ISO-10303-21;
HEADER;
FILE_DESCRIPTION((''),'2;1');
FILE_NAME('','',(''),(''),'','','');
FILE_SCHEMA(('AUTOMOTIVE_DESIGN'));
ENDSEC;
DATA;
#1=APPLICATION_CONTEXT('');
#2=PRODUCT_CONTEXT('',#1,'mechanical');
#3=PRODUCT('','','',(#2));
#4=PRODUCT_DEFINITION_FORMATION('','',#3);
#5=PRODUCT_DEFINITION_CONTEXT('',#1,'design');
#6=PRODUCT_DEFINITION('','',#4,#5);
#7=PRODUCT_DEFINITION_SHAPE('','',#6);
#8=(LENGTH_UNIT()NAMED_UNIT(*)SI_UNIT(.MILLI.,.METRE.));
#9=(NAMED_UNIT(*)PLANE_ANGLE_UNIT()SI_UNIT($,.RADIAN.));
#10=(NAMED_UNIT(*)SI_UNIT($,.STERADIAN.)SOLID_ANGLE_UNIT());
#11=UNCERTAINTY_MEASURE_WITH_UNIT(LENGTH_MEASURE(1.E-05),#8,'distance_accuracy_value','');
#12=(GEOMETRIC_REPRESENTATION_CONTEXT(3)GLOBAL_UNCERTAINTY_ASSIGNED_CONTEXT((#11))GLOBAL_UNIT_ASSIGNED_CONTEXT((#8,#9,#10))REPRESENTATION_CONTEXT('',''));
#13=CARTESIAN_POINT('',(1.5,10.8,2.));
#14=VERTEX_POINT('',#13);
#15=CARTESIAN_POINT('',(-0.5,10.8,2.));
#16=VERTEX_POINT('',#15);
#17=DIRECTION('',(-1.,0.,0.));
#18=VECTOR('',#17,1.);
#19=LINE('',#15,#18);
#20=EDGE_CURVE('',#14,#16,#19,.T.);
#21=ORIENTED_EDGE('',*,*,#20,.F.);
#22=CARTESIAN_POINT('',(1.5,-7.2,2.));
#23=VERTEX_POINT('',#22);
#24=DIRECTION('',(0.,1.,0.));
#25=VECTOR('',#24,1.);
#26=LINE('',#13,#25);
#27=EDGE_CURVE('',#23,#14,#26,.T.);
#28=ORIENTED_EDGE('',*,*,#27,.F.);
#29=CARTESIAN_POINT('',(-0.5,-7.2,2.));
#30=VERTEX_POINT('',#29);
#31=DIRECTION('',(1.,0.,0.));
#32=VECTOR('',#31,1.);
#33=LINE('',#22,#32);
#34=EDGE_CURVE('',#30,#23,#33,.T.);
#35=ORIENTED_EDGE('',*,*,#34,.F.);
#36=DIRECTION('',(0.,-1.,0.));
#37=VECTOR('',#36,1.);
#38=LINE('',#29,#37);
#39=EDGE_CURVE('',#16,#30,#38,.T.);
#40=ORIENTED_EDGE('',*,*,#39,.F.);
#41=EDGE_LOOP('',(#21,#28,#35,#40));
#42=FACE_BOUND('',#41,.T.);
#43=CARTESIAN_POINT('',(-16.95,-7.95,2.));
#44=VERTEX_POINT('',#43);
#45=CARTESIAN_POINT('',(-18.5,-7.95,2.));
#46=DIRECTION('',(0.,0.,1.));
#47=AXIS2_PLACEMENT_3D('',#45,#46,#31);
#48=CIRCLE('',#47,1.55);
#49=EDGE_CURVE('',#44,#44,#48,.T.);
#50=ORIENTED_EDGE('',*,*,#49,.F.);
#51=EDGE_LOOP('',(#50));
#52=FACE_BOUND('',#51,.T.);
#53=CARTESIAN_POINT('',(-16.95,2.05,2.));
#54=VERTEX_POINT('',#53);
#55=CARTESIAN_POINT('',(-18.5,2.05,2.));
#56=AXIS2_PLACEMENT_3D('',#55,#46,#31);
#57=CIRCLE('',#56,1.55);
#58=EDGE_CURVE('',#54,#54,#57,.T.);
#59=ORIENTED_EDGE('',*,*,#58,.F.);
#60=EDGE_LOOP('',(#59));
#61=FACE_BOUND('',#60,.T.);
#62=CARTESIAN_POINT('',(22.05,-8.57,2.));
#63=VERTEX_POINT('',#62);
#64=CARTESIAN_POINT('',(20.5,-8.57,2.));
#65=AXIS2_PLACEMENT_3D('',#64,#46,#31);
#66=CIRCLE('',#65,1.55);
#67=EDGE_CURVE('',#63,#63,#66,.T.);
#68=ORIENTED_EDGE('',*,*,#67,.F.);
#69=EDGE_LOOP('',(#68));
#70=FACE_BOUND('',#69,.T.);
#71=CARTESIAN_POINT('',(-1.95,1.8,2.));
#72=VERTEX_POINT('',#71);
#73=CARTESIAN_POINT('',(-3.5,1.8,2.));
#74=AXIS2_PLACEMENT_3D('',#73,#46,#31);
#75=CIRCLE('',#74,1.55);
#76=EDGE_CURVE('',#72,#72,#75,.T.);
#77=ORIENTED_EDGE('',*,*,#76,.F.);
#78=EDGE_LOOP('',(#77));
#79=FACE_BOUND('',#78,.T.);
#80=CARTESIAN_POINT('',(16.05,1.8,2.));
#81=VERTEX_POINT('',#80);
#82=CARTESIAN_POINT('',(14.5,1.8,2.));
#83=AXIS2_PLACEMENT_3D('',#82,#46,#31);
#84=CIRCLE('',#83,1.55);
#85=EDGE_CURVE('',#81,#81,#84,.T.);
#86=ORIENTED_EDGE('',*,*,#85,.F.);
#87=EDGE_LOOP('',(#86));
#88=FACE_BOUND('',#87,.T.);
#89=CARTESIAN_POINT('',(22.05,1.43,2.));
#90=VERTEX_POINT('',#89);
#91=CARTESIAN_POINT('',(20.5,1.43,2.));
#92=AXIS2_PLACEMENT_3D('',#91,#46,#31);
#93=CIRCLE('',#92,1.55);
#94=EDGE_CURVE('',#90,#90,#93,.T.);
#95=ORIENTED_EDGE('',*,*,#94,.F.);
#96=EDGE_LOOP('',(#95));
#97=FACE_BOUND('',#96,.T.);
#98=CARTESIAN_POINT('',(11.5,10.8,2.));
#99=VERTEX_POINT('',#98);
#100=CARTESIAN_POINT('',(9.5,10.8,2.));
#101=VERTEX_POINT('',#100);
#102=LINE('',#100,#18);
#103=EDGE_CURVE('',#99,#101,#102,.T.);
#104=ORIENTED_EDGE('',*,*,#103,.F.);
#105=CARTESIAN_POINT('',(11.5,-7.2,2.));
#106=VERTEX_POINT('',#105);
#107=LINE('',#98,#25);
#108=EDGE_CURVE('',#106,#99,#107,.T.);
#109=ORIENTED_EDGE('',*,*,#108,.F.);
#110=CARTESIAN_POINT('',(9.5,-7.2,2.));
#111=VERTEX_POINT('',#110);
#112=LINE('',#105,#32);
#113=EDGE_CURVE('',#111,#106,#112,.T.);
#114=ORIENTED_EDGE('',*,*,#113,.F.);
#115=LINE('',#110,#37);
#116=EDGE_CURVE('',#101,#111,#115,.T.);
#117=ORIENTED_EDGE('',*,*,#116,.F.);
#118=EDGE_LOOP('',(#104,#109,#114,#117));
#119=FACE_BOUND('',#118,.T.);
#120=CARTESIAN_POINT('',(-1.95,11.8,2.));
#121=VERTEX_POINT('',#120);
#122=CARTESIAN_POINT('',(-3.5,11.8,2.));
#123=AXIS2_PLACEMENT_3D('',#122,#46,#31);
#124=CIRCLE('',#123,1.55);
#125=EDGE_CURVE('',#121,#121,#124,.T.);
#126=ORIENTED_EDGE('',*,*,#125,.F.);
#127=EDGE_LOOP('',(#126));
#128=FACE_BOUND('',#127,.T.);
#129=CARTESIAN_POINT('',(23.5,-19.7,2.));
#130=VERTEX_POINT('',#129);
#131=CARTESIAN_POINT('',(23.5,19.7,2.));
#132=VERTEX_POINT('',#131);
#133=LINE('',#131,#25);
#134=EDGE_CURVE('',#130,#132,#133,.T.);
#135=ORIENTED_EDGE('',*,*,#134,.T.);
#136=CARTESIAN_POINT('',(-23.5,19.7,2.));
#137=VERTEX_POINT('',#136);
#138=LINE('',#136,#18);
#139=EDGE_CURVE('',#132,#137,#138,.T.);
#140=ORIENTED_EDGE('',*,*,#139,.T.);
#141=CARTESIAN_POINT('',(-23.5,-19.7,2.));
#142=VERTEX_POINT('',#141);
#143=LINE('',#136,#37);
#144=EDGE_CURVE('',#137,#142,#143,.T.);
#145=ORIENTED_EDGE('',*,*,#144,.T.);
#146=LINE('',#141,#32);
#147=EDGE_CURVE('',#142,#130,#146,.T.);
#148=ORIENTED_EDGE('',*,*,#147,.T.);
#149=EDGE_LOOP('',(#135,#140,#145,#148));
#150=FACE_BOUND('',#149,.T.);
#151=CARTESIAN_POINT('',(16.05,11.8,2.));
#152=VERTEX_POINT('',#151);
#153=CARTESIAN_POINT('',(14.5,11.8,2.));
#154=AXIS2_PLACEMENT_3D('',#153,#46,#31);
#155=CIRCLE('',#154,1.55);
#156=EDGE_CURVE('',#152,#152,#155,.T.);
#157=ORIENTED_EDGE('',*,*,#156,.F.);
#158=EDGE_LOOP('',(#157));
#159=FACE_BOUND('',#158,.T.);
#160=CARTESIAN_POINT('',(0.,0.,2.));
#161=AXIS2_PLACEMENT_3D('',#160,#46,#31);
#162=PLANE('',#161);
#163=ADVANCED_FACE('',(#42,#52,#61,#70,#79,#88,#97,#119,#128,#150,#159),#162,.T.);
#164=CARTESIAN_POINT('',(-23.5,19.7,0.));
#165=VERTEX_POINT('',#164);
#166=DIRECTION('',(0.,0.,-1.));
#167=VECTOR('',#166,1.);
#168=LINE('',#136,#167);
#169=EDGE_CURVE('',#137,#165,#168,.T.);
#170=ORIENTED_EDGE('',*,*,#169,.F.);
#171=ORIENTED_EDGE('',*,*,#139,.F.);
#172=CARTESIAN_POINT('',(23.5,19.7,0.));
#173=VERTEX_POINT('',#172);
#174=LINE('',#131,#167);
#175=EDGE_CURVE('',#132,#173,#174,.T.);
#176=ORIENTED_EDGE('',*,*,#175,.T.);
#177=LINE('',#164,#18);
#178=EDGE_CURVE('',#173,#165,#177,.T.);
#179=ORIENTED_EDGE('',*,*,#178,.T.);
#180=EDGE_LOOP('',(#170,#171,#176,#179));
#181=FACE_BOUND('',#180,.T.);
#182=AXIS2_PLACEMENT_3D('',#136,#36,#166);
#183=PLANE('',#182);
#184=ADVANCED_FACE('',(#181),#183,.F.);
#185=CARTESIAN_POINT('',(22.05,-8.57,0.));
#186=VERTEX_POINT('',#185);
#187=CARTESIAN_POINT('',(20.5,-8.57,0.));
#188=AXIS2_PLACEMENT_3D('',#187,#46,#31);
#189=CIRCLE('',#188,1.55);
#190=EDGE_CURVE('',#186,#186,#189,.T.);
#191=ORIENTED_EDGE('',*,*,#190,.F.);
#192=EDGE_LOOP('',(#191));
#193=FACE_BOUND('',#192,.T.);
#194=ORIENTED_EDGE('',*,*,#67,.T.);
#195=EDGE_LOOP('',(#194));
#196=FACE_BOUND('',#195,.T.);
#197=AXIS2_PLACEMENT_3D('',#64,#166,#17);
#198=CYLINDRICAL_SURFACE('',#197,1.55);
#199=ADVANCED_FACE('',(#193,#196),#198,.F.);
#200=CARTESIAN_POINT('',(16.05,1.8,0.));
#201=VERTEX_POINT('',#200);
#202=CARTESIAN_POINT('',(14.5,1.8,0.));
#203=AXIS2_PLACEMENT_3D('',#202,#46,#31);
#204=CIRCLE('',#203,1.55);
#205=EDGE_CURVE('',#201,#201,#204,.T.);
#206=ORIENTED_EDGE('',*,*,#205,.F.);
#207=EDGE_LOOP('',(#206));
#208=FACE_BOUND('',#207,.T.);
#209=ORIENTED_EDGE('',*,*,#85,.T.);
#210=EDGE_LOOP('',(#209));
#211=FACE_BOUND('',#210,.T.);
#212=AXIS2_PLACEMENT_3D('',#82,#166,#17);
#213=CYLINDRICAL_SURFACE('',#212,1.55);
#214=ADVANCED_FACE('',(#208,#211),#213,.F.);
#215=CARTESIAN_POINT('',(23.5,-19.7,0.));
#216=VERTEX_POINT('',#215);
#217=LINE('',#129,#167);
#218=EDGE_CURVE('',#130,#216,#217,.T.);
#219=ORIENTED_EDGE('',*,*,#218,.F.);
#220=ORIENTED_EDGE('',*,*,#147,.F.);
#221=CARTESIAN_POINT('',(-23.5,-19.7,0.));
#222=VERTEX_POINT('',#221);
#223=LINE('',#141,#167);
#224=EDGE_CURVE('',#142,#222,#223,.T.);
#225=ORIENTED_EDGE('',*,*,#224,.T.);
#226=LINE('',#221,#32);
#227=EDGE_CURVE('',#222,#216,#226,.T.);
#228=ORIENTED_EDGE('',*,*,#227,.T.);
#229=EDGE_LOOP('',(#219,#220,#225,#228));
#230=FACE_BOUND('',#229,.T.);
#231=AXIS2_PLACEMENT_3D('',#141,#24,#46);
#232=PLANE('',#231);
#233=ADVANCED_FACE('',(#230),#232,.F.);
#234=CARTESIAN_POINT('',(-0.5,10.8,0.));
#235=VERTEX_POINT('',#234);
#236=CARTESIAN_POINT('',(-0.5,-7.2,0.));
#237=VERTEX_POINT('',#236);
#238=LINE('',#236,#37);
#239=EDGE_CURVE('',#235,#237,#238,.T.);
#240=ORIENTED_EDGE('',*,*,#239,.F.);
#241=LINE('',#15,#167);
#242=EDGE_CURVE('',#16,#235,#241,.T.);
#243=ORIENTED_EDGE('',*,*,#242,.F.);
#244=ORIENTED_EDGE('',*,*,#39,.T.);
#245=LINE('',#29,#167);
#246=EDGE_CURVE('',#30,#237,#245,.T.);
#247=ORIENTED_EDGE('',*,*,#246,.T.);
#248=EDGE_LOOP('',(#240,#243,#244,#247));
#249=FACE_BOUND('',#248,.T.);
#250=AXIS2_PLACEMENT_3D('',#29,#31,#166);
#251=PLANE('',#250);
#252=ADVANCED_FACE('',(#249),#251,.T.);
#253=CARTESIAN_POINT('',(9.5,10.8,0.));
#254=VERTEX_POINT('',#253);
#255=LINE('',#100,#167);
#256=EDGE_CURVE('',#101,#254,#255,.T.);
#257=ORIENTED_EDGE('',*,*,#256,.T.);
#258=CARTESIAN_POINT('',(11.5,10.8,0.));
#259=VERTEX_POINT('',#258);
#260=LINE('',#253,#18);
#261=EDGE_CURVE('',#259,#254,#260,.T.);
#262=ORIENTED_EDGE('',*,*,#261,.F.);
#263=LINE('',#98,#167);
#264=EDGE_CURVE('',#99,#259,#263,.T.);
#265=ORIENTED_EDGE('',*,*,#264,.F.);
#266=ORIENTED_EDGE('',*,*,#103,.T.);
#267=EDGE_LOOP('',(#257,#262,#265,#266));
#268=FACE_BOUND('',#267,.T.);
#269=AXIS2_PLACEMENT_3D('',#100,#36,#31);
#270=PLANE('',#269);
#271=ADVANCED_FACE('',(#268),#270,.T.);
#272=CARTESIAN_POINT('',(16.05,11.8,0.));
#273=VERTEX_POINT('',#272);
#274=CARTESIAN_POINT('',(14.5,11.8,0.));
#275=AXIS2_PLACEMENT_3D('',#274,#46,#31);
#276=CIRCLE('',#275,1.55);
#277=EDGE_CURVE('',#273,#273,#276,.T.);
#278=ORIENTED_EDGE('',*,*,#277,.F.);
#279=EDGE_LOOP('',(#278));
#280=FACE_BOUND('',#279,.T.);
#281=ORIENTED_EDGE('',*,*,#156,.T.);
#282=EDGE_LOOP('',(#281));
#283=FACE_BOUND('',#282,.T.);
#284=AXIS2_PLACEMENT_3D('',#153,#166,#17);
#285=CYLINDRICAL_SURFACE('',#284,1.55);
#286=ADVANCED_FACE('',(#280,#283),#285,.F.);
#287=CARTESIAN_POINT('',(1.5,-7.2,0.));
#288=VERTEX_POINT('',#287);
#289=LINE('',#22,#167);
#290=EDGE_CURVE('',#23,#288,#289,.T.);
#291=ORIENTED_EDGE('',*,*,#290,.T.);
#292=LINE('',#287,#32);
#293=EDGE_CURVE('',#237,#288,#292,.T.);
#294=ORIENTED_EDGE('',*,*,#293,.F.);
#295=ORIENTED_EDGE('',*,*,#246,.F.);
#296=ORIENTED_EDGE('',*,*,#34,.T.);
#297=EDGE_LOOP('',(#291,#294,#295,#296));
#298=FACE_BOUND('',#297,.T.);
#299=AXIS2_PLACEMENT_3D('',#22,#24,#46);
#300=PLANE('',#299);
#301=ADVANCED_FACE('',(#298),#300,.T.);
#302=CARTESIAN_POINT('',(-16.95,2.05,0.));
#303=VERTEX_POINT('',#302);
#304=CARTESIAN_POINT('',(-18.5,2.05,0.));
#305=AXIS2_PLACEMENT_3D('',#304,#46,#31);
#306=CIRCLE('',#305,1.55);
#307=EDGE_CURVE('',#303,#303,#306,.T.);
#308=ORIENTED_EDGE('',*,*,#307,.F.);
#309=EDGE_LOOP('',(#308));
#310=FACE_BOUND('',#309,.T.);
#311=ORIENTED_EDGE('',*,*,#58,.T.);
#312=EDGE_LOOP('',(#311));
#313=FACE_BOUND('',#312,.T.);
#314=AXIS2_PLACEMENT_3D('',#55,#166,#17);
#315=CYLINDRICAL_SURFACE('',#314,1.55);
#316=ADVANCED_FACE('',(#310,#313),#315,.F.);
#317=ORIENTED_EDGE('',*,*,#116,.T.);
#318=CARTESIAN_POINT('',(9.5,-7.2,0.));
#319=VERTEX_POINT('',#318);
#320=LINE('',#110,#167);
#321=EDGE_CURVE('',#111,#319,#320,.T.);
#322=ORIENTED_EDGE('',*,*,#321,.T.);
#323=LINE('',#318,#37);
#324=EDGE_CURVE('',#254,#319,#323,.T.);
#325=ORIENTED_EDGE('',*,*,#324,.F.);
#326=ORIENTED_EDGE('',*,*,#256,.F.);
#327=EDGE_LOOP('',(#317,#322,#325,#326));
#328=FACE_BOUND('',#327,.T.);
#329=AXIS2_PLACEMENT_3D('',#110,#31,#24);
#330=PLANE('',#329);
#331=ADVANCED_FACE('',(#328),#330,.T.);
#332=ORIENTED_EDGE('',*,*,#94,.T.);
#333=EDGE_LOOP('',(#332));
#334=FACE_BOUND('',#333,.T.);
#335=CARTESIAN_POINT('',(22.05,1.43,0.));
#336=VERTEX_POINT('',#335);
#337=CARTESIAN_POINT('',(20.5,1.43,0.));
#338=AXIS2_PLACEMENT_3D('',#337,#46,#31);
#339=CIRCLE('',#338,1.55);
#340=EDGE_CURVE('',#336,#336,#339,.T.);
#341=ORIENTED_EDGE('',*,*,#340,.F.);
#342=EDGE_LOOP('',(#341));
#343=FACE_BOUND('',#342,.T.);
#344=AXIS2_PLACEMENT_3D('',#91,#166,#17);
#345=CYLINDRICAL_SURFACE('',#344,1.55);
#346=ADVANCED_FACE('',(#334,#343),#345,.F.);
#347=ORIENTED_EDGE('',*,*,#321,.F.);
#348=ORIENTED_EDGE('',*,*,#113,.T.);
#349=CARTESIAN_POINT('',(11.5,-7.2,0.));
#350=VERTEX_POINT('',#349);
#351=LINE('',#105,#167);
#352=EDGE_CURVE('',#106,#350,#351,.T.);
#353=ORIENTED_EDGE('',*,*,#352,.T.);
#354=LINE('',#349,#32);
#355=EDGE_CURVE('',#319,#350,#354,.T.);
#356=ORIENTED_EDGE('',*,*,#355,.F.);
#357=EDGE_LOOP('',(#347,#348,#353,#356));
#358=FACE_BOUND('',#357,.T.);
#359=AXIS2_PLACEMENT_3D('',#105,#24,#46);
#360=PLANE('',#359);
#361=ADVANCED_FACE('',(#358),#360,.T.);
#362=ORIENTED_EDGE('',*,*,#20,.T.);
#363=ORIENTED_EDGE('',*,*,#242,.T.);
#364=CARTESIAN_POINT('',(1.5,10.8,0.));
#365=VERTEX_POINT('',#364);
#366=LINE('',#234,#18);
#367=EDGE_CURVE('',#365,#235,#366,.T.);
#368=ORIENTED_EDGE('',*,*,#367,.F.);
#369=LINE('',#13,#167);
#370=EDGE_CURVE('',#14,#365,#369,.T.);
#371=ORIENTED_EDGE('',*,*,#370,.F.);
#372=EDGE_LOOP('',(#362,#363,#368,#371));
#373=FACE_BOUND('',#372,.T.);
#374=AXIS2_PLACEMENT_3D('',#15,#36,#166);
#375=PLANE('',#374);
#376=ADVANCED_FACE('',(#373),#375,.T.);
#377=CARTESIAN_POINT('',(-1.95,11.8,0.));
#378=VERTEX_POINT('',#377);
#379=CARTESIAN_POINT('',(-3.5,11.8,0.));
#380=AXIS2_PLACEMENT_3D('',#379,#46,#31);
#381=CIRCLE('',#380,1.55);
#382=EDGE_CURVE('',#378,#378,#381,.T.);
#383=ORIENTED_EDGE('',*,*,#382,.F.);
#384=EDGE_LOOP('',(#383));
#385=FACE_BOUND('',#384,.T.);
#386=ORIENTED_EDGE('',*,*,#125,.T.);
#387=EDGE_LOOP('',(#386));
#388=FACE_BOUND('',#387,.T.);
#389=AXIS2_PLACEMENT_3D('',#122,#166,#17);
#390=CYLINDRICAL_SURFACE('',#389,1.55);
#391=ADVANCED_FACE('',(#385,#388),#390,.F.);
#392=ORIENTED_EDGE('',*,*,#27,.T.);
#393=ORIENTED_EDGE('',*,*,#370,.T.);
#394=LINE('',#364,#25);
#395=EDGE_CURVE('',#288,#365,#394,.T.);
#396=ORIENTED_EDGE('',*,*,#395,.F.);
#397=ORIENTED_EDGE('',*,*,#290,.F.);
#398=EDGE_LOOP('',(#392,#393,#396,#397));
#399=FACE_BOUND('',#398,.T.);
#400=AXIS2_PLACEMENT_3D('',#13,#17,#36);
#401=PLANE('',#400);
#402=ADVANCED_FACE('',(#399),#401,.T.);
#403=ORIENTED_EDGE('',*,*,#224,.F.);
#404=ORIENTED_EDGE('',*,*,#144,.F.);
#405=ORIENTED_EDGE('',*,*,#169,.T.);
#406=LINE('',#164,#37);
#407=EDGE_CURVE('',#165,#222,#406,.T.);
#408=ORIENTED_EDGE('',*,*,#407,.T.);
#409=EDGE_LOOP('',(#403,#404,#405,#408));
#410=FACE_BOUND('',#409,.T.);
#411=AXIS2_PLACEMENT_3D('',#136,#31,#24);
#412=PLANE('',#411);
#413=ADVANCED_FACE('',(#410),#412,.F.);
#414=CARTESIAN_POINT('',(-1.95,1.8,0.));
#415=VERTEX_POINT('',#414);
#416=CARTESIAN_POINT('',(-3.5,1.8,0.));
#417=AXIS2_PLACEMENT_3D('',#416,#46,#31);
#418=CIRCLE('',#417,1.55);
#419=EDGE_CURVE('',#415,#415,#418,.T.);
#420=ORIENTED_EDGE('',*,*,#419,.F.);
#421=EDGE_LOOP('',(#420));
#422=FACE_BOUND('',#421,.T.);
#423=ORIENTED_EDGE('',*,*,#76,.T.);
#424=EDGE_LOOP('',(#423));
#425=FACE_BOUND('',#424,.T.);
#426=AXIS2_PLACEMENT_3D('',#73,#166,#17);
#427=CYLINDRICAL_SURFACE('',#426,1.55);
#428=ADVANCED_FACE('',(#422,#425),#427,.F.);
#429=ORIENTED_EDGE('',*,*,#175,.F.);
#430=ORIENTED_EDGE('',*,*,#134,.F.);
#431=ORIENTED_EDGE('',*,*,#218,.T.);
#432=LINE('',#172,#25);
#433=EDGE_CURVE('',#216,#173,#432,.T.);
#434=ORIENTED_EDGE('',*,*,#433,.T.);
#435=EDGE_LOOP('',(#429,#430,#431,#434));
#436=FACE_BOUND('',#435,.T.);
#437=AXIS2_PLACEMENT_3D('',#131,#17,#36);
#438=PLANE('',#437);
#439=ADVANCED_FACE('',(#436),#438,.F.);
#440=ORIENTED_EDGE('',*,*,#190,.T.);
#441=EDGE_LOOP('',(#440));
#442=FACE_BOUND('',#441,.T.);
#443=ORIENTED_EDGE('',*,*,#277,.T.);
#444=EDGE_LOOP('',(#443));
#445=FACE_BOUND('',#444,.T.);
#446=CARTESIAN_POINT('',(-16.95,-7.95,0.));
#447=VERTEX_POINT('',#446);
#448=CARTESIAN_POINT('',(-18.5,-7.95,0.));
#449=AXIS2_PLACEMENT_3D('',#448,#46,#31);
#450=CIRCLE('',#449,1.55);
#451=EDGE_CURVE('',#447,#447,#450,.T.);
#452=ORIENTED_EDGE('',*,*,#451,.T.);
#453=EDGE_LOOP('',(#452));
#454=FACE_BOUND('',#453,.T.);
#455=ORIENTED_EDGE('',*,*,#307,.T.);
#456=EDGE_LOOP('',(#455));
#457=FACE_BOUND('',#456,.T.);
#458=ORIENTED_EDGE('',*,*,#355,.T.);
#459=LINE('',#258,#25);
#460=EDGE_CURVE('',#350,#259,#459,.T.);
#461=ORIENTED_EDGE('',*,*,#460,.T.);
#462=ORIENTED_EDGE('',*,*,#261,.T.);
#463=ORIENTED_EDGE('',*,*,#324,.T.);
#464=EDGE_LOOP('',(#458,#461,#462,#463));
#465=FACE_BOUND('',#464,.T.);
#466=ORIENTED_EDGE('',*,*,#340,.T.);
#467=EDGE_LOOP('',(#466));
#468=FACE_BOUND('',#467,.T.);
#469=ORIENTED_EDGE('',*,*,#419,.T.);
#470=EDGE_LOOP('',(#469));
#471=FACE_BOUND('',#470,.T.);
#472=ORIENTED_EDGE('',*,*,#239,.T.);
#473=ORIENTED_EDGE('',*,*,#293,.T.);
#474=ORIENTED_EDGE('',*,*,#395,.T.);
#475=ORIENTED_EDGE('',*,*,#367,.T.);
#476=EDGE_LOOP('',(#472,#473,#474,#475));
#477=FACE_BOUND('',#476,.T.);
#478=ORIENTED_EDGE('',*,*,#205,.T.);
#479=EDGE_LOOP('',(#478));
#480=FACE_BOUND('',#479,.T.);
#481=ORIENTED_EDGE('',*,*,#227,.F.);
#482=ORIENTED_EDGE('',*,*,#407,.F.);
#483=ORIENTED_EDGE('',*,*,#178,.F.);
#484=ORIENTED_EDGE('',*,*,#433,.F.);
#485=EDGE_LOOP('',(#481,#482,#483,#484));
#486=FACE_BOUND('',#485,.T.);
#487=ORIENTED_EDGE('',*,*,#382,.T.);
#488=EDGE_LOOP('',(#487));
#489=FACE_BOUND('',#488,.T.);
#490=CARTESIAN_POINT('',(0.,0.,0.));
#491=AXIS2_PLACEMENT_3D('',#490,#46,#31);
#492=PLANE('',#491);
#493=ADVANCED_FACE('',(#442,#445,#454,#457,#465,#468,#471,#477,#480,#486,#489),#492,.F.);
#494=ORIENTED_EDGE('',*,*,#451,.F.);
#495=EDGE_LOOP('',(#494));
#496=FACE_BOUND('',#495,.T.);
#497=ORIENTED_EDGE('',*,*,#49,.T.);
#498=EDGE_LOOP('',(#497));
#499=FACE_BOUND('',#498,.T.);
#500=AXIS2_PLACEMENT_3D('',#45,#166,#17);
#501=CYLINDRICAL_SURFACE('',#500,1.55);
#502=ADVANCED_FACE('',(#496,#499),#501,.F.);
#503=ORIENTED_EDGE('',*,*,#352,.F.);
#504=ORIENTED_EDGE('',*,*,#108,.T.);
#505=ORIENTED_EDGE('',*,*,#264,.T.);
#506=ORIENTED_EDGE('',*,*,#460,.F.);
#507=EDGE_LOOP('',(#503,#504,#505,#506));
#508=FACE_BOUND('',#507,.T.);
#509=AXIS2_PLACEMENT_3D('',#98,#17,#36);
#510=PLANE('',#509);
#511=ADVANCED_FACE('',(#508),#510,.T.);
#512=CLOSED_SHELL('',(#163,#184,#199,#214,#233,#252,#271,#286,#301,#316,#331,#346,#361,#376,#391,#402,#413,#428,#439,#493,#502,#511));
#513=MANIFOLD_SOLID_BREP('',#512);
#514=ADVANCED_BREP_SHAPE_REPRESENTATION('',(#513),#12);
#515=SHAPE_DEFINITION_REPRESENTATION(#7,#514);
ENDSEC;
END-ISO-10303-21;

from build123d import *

# Parameters (mm, degrees)
SKETCH_1_W      = 47
SKETCH_1_H      = 39.4
SKETCH_1_R      = 1.55
SKETCH_1_W_2    = 2
SKETCH_1_H_2    = 18
EXTRUDE_1_DEPTH = 2


with BuildPart() as part:
    # 草图1 → 凸台-拉伸1 (new body)
    with BuildSketch(Plane.XY):
        Rectangle(SKETCH_1_W, SKETCH_1_H)
        with Locations((20.5, 1.43)):
            Circle(SKETCH_1_R, mode=Mode.SUBTRACT)
        with Locations((20.5, -8.57)):
            Circle(SKETCH_1_R, mode=Mode.SUBTRACT)
        with Locations((-18.5, 2.05)):
            Circle(SKETCH_1_R, mode=Mode.SUBTRACT)
        with Locations((-18.5, -7.95)):
            Circle(SKETCH_1_R, mode=Mode.SUBTRACT)
        with Locations((-3.499999601, 11.8)):
            Circle(SKETCH_1_R, mode=Mode.SUBTRACT)
        with Locations((-3.5, 1.8)):
            Circle(SKETCH_1_R, mode=Mode.SUBTRACT)
        with Locations((14.5, 11.8)):
            Circle(SKETCH_1_R, mode=Mode.SUBTRACT)
        with Locations((14.5, 1.8)):
            Circle(SKETCH_1_R, mode=Mode.SUBTRACT)
        with Locations((10.5, 1.8)):
            Rectangle(SKETCH_1_W_2, SKETCH_1_H_2, mode=Mode.SUBTRACT)
        with Locations((0.5, 1.8)):
            Rectangle(SKETCH_1_W_2, SKETCH_1_H_2, mode=Mode.SUBTRACT)
    extrude(amount=EXTRUDE_1_DEPTH)


solid = part.part
